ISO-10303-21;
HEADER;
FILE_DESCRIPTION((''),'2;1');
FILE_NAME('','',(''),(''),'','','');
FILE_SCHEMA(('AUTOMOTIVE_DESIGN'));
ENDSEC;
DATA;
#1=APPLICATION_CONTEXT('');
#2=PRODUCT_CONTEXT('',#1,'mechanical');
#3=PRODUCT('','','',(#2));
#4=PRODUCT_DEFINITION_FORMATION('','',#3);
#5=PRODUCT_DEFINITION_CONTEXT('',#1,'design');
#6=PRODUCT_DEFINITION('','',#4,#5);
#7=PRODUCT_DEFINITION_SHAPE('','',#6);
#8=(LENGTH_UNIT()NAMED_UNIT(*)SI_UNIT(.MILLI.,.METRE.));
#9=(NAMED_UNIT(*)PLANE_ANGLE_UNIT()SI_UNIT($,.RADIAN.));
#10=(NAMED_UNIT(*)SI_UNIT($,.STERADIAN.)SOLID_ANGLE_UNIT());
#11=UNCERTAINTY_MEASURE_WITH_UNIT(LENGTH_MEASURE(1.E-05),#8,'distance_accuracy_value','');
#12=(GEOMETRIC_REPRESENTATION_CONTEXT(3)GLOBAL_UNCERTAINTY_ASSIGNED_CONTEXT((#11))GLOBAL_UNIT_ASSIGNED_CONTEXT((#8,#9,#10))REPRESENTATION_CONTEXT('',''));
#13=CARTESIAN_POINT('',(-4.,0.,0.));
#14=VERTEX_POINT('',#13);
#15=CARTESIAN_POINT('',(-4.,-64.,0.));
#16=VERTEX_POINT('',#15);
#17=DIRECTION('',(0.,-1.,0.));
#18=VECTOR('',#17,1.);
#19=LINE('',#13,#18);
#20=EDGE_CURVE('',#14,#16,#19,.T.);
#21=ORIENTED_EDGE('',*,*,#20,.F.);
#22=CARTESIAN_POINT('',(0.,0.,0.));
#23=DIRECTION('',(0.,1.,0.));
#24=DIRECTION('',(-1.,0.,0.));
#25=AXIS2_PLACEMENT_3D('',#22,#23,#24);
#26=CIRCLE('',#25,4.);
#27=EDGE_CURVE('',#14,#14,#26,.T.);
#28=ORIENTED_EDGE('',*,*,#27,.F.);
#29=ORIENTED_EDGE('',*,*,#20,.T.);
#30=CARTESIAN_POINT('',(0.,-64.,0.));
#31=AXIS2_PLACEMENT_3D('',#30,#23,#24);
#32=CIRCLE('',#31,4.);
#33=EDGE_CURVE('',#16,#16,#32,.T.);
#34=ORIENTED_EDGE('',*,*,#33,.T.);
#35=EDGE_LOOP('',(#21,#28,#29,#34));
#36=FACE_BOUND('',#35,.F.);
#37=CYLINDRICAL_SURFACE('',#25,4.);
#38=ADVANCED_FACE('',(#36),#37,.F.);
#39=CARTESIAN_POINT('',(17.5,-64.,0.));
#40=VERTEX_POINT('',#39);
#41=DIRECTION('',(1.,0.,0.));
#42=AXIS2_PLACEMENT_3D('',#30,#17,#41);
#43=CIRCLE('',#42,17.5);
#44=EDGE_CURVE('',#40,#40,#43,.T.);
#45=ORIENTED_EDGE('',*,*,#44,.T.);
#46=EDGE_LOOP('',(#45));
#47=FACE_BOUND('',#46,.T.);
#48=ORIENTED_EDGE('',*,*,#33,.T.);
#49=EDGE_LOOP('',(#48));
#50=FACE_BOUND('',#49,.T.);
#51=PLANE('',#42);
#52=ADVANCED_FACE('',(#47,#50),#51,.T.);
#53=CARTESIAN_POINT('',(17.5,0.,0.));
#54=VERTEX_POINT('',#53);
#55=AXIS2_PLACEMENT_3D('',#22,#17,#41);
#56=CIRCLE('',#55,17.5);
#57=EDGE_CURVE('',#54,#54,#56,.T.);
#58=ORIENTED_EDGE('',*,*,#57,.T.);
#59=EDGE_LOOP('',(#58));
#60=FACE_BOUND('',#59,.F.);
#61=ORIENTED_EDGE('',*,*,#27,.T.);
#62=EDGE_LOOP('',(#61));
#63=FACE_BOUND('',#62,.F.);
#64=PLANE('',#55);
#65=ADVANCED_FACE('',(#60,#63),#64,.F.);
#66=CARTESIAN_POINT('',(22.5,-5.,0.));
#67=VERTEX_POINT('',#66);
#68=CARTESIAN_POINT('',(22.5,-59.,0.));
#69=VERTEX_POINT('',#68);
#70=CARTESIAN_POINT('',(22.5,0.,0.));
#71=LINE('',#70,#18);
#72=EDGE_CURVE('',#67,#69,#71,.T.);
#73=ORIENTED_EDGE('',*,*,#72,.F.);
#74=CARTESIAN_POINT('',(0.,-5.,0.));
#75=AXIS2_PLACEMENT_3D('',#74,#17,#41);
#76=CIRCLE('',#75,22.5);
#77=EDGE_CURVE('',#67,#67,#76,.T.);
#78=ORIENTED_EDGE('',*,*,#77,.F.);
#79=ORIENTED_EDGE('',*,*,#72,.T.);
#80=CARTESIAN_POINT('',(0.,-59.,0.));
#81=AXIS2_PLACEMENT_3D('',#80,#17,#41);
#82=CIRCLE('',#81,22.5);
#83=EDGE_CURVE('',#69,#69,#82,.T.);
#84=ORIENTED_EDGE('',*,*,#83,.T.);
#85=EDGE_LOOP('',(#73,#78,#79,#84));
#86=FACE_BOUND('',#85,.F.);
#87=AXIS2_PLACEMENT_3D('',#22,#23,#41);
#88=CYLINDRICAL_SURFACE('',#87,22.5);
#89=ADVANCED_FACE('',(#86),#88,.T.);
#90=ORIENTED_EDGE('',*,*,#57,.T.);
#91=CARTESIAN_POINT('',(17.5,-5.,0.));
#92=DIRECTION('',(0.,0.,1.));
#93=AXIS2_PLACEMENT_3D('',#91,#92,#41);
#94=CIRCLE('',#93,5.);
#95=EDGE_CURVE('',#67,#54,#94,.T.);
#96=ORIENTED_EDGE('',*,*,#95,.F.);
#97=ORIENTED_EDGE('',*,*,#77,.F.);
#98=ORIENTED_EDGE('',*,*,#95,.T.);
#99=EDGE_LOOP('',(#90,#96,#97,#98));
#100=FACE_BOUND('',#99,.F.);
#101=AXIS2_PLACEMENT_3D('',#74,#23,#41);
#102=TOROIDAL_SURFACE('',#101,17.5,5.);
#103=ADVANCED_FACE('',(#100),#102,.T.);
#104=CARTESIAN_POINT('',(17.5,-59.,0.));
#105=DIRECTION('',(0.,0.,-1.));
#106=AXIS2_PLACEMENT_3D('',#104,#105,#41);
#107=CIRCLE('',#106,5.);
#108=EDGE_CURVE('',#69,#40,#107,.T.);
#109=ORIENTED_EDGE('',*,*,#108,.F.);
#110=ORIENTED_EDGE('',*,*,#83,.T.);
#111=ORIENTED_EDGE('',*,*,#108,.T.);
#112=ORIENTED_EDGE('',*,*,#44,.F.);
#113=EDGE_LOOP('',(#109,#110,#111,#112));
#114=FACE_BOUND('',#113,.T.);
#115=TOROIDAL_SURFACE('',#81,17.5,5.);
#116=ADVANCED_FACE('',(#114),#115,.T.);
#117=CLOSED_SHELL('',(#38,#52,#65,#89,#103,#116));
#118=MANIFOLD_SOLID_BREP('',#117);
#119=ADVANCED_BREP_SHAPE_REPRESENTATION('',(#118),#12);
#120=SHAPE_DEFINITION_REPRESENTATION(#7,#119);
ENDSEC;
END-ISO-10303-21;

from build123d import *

# Parameters (mm, degrees)
F0_R     = 22.5
F1_DEPTH = 64
F2_R     = 4
F3_DEPTH = 64
F4_R     = 5


with BuildPart() as f1:
    # F0 (on Front) → F1 (new body)
    with BuildSketch(Plane.XZ):
        Circle(F0_R)
    extrude(amount=F1_DEPTH)

    # F2 (on face) → F3 (cut)
    with BuildSketch(Plane(origin=(0, 0, 0), x_dir=(-1, 0, 0), z_dir=(0, 1, 0))):
        Circle(F2_R)
    extrude(amount=-F3_DEPTH, mode=Mode.SUBTRACT)

    # F4
    f4_edges = [f1.edges().sort_by_distance(p)[0] for p in [
        (-22.5, -64, 0),
        (-22.5, 0, 0),
    ]]
    fillet(f4_edges, radius=F4_R)


solid = f1.part
